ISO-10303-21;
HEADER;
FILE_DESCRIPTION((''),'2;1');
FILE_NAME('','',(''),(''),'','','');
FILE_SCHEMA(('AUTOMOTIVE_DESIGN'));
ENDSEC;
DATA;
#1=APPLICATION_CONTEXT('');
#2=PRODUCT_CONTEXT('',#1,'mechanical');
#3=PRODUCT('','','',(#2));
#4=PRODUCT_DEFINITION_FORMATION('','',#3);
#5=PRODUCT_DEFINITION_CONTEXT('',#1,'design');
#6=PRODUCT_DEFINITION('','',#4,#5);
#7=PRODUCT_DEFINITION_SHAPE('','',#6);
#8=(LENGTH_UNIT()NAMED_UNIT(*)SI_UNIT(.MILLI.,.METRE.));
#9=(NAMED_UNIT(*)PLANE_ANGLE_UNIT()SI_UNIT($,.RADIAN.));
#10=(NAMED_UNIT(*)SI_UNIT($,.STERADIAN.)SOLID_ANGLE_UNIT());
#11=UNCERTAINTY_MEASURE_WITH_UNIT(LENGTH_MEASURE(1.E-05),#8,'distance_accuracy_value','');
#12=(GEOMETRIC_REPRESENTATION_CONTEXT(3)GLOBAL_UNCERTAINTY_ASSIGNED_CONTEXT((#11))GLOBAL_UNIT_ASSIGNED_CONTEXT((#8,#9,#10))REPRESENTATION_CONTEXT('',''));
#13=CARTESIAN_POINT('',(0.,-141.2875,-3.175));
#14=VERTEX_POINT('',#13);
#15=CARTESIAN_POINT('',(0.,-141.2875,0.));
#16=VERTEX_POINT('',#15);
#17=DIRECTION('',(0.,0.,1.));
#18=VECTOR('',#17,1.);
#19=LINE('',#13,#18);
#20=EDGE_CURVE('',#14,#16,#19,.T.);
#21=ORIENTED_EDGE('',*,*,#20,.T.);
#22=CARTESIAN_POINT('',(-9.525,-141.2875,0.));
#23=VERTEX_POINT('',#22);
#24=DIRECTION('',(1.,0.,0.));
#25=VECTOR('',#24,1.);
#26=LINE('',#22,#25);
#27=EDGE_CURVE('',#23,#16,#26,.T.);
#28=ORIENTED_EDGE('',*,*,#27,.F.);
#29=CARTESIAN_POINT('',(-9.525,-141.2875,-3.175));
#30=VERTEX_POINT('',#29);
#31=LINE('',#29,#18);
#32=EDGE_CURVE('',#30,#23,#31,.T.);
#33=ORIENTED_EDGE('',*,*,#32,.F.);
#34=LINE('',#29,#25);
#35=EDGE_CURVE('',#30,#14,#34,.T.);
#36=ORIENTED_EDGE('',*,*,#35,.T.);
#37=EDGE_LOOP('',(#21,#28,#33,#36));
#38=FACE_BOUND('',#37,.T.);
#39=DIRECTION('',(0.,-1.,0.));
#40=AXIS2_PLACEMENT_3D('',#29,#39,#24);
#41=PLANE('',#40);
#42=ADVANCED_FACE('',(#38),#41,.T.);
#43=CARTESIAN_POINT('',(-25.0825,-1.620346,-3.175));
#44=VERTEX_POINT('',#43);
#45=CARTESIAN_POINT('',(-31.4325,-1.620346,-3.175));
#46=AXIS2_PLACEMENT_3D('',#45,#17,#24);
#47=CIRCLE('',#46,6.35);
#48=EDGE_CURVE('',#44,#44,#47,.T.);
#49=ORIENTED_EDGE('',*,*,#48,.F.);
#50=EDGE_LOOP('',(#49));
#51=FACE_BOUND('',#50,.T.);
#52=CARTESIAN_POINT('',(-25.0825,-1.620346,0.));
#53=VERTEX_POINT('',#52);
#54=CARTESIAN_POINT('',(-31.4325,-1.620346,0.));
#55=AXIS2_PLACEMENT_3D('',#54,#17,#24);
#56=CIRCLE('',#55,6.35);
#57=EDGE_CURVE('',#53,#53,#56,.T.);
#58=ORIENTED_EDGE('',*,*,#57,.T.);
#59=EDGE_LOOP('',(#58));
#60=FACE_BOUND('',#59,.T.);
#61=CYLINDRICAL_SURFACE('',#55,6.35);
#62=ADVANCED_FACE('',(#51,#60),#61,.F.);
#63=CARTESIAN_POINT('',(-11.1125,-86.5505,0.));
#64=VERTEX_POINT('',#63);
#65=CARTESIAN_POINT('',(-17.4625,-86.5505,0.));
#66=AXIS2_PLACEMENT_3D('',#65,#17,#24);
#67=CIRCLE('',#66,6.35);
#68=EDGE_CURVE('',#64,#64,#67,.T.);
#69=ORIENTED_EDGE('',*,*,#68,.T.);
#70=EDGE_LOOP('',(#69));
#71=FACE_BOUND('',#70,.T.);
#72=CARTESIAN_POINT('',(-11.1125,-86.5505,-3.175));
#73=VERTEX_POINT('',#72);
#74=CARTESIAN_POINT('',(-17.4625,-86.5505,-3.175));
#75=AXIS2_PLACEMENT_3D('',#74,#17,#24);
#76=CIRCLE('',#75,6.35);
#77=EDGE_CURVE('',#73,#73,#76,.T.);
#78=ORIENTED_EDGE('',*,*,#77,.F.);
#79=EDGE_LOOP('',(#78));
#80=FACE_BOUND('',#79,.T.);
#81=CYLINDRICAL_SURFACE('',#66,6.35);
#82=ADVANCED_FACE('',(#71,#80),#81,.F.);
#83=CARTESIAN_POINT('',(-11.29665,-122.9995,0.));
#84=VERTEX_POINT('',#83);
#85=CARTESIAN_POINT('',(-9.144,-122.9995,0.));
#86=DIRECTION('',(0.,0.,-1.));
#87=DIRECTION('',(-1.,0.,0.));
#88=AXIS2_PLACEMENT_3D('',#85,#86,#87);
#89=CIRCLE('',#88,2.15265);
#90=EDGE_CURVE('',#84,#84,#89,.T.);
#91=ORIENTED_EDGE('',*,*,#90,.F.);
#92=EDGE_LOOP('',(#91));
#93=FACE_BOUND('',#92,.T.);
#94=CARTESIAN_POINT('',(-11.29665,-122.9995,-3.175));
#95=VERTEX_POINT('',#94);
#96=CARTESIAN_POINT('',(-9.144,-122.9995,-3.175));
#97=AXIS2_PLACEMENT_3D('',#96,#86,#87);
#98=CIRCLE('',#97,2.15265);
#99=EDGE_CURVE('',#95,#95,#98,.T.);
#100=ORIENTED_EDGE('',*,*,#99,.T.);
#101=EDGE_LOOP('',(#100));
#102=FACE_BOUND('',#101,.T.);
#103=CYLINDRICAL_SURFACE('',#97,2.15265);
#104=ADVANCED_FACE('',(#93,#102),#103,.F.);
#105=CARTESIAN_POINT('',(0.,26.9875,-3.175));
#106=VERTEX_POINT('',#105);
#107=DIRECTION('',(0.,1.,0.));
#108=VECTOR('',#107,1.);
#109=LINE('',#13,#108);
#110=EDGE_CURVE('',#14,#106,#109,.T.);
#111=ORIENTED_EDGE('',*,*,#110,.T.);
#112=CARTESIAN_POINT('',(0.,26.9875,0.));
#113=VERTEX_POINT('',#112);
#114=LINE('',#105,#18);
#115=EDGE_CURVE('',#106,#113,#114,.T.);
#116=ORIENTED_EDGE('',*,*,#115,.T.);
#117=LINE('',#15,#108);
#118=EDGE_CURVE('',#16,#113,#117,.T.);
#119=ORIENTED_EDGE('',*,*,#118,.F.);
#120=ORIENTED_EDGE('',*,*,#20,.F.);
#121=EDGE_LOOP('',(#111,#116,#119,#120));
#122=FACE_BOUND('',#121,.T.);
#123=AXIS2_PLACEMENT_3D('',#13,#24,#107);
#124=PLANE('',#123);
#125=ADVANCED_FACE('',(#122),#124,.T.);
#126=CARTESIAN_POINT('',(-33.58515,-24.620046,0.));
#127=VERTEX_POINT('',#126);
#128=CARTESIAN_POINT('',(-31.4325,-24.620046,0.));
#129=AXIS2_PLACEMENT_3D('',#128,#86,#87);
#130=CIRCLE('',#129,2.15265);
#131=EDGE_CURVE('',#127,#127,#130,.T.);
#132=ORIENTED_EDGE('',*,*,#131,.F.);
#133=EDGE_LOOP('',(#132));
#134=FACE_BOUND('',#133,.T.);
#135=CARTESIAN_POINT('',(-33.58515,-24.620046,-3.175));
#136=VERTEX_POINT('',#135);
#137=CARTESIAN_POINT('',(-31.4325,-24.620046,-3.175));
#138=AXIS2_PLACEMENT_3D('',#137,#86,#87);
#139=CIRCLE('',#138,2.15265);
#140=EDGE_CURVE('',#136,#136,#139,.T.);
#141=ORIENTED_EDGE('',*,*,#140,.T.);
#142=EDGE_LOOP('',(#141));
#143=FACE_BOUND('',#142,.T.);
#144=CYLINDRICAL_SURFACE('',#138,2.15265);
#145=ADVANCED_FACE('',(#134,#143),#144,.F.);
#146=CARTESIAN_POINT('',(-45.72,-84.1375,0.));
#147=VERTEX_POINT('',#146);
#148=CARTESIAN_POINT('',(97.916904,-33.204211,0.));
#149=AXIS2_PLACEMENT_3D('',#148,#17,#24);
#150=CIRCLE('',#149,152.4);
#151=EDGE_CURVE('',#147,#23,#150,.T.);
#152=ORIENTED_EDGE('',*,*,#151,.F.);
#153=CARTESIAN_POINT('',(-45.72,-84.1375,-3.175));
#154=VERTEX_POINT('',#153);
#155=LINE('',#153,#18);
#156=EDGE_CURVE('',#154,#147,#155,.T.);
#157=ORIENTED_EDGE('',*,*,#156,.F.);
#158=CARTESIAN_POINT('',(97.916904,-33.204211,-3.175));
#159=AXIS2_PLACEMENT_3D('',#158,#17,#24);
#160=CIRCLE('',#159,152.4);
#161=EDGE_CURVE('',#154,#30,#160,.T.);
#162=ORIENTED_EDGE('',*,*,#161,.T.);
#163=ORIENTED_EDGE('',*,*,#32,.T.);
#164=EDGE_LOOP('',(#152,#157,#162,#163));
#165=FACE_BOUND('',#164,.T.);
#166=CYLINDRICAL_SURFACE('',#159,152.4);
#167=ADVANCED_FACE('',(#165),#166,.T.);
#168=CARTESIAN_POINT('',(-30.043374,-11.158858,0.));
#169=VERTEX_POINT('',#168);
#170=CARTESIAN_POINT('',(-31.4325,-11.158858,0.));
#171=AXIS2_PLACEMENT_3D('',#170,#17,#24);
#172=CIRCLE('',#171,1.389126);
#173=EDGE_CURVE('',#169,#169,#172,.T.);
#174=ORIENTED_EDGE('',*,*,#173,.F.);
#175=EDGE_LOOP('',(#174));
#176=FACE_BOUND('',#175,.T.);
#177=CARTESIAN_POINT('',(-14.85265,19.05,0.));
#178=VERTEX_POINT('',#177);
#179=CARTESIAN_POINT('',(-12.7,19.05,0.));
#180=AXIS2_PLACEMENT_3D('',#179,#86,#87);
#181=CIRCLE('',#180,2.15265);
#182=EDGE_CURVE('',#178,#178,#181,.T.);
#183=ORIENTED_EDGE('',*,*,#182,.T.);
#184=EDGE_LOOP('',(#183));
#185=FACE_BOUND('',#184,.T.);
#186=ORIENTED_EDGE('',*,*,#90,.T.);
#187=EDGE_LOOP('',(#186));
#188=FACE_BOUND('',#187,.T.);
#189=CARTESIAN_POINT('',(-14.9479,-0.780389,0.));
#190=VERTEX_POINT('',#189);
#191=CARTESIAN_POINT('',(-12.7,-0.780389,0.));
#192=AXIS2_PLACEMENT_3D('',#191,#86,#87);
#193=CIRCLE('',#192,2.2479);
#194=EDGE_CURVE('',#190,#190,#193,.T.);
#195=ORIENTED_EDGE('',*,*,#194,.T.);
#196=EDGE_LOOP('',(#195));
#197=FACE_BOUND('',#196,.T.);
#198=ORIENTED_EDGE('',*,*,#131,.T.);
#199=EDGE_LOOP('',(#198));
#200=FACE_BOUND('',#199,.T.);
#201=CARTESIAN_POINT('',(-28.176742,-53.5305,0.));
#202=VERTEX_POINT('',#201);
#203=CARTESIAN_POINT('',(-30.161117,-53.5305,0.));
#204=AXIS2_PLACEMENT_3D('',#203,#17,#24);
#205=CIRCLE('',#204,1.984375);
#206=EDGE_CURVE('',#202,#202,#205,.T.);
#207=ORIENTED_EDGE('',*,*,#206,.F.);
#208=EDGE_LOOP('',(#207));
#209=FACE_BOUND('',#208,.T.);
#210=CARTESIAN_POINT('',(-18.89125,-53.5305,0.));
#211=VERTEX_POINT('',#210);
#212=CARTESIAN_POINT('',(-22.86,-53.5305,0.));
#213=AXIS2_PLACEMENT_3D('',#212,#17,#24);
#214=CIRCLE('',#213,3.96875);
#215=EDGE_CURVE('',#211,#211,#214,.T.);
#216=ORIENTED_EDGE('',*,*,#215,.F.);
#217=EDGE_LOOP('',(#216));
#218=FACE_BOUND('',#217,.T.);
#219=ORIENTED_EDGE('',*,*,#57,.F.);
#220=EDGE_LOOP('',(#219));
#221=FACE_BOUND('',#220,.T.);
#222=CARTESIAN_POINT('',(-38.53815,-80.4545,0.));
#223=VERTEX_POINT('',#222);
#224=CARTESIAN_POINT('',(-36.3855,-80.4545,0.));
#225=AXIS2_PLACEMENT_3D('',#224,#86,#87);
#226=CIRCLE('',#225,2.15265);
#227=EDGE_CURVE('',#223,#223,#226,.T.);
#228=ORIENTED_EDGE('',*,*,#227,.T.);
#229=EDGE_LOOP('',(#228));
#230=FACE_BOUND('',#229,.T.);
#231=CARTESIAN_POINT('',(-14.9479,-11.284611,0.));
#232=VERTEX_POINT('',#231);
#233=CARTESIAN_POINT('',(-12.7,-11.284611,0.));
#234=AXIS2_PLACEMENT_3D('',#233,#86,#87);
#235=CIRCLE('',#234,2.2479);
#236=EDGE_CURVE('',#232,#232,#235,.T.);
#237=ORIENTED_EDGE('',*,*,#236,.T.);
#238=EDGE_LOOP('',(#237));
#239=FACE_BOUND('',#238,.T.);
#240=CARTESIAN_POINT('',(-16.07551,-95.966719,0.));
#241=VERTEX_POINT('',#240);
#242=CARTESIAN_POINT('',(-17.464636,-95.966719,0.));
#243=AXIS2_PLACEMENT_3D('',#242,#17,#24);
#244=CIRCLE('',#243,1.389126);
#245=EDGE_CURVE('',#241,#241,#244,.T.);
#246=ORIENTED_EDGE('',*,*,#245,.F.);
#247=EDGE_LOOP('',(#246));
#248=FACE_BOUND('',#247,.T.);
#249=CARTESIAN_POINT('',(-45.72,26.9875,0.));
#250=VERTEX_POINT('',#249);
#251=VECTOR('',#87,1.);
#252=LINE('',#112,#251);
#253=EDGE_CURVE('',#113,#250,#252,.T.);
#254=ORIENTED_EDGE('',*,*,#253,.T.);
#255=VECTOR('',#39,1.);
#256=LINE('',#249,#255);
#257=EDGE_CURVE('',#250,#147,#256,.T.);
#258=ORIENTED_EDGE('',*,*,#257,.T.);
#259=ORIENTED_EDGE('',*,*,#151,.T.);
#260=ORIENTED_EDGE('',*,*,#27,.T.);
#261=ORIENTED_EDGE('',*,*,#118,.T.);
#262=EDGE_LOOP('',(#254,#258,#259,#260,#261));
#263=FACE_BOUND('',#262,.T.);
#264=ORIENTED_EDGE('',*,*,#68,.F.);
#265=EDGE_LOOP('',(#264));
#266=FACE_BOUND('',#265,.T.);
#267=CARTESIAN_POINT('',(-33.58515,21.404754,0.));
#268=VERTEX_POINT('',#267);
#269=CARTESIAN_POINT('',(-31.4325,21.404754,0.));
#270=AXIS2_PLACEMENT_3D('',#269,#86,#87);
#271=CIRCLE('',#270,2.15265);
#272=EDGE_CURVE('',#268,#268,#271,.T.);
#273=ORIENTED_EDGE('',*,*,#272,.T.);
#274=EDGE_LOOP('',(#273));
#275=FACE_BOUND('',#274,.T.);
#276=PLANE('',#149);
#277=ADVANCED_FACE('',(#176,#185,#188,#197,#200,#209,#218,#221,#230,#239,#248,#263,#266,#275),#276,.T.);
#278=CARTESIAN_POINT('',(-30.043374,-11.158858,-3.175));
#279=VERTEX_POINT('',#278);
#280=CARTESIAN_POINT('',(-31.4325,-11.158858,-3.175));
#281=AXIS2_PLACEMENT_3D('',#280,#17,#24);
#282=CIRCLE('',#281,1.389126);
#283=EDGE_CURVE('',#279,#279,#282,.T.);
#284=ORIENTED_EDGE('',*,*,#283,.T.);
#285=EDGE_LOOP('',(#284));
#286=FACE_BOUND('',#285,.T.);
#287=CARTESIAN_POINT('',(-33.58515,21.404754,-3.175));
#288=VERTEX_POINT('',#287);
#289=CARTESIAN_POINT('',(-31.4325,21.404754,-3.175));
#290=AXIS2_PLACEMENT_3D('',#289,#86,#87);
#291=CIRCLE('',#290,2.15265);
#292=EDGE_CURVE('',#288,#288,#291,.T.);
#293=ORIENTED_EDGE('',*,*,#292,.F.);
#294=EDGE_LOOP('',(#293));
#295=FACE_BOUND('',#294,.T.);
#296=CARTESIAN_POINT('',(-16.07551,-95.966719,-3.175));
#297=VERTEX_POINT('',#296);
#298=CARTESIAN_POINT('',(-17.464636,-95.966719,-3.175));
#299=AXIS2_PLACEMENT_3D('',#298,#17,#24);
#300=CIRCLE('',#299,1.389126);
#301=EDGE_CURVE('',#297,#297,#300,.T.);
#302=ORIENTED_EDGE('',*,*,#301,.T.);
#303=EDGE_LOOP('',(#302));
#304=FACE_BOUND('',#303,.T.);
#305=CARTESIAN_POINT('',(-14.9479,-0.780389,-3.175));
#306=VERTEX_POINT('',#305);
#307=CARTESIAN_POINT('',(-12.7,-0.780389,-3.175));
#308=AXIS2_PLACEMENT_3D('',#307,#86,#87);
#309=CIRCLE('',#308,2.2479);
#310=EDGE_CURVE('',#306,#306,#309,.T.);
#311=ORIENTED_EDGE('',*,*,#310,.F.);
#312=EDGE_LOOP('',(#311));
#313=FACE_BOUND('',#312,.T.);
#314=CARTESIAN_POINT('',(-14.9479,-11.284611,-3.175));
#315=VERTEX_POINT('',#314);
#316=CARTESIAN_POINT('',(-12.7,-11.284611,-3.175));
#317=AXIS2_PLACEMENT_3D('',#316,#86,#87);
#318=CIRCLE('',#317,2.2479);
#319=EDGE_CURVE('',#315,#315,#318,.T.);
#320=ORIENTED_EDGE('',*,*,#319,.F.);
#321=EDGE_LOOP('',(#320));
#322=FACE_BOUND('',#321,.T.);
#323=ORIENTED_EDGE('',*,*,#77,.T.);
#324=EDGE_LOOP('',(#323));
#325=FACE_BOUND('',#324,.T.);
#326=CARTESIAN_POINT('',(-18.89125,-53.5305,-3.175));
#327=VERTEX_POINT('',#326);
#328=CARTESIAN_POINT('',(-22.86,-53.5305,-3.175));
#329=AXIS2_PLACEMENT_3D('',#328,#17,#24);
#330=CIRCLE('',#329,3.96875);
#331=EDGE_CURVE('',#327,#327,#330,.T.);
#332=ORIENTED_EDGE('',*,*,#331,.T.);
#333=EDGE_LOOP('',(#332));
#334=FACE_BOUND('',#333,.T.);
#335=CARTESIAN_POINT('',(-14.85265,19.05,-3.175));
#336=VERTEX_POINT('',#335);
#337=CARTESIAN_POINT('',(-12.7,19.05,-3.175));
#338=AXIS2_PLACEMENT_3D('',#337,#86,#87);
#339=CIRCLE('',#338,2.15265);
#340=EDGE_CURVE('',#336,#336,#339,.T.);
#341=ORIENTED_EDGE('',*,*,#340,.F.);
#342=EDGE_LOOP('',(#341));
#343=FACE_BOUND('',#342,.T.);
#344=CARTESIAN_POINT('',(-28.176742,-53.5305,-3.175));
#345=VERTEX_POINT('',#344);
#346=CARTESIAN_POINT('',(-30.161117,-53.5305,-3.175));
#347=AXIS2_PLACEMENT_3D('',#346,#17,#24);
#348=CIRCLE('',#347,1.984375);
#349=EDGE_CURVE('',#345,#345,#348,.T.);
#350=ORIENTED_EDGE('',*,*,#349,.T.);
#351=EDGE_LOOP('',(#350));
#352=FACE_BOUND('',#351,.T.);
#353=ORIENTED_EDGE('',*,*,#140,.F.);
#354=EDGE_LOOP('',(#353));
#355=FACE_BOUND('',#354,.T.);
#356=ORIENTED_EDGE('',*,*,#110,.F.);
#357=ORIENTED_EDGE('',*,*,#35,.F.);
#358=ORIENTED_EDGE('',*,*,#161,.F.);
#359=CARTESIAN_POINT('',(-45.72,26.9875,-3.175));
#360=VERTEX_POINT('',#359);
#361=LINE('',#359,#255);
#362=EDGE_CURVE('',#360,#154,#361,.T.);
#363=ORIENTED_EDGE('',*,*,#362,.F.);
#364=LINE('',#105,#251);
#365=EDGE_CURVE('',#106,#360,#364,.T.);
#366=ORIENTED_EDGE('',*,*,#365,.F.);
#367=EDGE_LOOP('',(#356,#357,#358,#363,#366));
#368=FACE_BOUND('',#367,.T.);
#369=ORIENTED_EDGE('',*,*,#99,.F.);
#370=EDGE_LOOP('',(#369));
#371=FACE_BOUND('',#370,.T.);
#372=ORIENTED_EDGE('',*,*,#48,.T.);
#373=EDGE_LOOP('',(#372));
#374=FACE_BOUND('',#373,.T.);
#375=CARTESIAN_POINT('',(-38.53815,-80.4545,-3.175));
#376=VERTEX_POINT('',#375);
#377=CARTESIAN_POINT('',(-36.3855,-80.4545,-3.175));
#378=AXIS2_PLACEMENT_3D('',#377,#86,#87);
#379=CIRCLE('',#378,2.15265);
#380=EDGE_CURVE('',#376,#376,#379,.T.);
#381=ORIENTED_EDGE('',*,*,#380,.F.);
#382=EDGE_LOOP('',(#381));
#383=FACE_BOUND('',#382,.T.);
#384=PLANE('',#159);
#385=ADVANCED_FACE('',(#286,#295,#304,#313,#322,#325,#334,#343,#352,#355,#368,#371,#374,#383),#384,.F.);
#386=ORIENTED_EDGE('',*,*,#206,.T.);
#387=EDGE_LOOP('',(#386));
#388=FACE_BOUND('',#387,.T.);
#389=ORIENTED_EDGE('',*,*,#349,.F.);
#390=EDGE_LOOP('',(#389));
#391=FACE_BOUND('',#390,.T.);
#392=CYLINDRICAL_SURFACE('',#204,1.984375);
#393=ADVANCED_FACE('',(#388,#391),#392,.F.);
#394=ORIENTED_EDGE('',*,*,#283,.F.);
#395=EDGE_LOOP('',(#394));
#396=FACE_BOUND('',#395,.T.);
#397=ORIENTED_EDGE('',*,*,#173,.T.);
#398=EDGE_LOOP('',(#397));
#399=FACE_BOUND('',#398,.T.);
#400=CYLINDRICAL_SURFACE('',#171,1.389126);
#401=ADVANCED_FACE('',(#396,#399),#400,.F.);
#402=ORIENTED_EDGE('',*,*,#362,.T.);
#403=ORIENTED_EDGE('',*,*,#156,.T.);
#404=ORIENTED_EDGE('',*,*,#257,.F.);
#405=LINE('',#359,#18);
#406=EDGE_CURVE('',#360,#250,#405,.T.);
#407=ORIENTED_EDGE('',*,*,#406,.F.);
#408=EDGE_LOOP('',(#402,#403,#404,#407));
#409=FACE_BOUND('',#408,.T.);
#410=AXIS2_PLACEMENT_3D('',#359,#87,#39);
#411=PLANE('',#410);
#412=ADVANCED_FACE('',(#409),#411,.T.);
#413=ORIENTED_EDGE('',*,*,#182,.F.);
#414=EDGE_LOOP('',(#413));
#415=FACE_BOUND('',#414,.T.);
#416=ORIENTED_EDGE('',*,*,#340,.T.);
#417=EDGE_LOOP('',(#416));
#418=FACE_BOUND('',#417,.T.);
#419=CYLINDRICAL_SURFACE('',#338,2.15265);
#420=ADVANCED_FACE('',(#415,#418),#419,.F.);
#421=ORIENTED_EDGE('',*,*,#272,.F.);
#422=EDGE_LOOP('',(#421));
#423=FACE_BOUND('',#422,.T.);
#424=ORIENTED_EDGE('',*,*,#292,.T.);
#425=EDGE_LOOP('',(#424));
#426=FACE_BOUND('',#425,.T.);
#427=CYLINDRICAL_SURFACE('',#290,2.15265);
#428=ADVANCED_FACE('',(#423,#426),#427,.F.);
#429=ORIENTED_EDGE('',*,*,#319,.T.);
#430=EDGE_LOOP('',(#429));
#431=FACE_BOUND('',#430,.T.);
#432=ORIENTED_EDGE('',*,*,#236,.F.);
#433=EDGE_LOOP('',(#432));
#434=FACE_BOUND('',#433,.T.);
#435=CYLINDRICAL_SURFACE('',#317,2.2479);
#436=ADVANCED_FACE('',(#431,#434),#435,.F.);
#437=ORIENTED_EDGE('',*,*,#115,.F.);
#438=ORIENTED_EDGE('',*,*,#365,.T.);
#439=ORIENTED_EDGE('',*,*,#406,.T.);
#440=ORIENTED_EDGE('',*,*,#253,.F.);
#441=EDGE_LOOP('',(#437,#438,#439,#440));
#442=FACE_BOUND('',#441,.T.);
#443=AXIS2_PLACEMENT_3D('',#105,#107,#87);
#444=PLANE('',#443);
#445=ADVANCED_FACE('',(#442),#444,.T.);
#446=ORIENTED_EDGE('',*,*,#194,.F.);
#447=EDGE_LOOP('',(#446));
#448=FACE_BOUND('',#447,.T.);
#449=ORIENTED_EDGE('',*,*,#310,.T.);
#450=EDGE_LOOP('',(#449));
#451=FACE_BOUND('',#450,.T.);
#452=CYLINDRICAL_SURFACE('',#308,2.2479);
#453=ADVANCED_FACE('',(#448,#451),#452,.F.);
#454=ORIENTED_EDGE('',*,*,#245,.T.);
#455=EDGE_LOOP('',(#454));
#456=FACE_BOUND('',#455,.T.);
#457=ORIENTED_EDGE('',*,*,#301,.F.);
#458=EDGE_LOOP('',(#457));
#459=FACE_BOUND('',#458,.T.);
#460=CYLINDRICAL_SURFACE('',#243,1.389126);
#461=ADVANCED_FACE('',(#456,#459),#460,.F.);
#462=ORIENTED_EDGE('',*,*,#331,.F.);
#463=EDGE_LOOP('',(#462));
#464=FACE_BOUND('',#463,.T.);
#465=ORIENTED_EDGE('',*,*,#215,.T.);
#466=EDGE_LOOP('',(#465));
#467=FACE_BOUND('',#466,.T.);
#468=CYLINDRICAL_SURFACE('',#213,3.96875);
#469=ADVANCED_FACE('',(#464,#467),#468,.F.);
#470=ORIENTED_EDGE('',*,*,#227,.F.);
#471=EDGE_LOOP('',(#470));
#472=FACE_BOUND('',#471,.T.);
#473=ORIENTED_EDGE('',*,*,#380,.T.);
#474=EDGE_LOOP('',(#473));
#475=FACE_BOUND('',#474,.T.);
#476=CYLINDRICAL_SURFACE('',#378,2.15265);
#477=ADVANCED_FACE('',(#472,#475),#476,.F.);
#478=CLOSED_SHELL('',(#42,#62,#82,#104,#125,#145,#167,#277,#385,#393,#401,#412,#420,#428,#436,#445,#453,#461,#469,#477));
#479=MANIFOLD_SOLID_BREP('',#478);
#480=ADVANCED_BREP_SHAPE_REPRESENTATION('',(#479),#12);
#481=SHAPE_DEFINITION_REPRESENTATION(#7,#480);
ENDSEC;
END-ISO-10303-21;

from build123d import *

# Parameters (mm, degrees)
BOSS_EXTRUDE1_DEPTH             = 3.175
F_1_2_0_5_DIAMETER_HOLE1_D      = 12.7
F_5_16_0_3125_DIAMETER_HOLE1_D  = 7.9375
F_5_32_0_15625_DIAMETER_HOLE1_D = 3.96875
F_7_64_0_10938_DIAMETER_HOLE1_D = 2.778252
F_6_CLEARANCE_HOLE1_D           = 4.3053
F_16_0_177_DIAMETER_HOLE1_D     = 4.4958


with BuildPart() as part:
    # Sketch1 → Boss-Extrude1 (new body)
    with BuildSketch(Plane.XY):
        with BuildLine():
            Line((-45.72, 26.9875), (-45.72, -84.1375))
            ThreePointArc((-45.72, -84.1375), (-30.833523511, -114.746148224), (-9.525, -141.2875))
            Line((-9.525, -141.2875), (0, -141.2875))
            Line((0, -141.2875), (0, 26.9875))
            Line((0, 26.9875), (-45.72, 26.9875))
        make_face()
    extrude(amount=-BOSS_EXTRUDE1_DEPTH)

    # 1/2 (0.5) Diameter Hole1 (through all)
    with Locations(Plane.XY):
        with Locations((-17.4625, -86.5505), (-31.4325, -1.620345612)):
            Hole(F_1_2_0_5_DIAMETER_HOLE1_D / 2)

    # 5/16 (0.3125) Diameter Hole1 (through all)
    with Locations(Plane.XY):
        with Locations((-22.86, -53.5305)):
            Hole(F_5_16_0_3125_DIAMETER_HOLE1_D / 2)

    # 5/32 (0.15625) Diameter Hole1 (through all)
    with Locations(Plane.XY):
        with Locations((-30.161117219, -53.5305)):
            Hole(F_5_32_0_15625_DIAMETER_HOLE1_D / 2)

    # 7/64 (0.10938) Diameter Hole1 (through all)
    with Locations(Plane.XY):
        with Locations((-17.464635625, -95.966719242), (-31.4325, -11.158858051)):
            Hole(F_7_64_0_10938_DIAMETER_HOLE1_D / 2)

    # #6 Clearance Hole1 (through all)
    with Locations(Plane(origin=(0, 0, -3.175), x_dir=(-1, 0, 0), z_dir=(0, 0, -1))):
        with Locations((12.7, 19.05), (36.3855, -80.4545), (9.144, -122.9995), (31.4325, -24.620045612), (31.4325, 21.404754388)):
            Hole(F_6_CLEARANCE_HOLE1_D / 2)

    # #16 (0.177) Diameter Hole1 (through all)
    with Locations(Plane(origin=(0, 0, -3.175), x_dir=(-1, 0, 0), z_dir=(0, 0, -1))):
        with Locations((12.7, -0.780389216), (12.7, -11.284610784)):
            Hole(F_16_0_177_DIAMETER_HOLE1_D / 2)


solid = part.part
